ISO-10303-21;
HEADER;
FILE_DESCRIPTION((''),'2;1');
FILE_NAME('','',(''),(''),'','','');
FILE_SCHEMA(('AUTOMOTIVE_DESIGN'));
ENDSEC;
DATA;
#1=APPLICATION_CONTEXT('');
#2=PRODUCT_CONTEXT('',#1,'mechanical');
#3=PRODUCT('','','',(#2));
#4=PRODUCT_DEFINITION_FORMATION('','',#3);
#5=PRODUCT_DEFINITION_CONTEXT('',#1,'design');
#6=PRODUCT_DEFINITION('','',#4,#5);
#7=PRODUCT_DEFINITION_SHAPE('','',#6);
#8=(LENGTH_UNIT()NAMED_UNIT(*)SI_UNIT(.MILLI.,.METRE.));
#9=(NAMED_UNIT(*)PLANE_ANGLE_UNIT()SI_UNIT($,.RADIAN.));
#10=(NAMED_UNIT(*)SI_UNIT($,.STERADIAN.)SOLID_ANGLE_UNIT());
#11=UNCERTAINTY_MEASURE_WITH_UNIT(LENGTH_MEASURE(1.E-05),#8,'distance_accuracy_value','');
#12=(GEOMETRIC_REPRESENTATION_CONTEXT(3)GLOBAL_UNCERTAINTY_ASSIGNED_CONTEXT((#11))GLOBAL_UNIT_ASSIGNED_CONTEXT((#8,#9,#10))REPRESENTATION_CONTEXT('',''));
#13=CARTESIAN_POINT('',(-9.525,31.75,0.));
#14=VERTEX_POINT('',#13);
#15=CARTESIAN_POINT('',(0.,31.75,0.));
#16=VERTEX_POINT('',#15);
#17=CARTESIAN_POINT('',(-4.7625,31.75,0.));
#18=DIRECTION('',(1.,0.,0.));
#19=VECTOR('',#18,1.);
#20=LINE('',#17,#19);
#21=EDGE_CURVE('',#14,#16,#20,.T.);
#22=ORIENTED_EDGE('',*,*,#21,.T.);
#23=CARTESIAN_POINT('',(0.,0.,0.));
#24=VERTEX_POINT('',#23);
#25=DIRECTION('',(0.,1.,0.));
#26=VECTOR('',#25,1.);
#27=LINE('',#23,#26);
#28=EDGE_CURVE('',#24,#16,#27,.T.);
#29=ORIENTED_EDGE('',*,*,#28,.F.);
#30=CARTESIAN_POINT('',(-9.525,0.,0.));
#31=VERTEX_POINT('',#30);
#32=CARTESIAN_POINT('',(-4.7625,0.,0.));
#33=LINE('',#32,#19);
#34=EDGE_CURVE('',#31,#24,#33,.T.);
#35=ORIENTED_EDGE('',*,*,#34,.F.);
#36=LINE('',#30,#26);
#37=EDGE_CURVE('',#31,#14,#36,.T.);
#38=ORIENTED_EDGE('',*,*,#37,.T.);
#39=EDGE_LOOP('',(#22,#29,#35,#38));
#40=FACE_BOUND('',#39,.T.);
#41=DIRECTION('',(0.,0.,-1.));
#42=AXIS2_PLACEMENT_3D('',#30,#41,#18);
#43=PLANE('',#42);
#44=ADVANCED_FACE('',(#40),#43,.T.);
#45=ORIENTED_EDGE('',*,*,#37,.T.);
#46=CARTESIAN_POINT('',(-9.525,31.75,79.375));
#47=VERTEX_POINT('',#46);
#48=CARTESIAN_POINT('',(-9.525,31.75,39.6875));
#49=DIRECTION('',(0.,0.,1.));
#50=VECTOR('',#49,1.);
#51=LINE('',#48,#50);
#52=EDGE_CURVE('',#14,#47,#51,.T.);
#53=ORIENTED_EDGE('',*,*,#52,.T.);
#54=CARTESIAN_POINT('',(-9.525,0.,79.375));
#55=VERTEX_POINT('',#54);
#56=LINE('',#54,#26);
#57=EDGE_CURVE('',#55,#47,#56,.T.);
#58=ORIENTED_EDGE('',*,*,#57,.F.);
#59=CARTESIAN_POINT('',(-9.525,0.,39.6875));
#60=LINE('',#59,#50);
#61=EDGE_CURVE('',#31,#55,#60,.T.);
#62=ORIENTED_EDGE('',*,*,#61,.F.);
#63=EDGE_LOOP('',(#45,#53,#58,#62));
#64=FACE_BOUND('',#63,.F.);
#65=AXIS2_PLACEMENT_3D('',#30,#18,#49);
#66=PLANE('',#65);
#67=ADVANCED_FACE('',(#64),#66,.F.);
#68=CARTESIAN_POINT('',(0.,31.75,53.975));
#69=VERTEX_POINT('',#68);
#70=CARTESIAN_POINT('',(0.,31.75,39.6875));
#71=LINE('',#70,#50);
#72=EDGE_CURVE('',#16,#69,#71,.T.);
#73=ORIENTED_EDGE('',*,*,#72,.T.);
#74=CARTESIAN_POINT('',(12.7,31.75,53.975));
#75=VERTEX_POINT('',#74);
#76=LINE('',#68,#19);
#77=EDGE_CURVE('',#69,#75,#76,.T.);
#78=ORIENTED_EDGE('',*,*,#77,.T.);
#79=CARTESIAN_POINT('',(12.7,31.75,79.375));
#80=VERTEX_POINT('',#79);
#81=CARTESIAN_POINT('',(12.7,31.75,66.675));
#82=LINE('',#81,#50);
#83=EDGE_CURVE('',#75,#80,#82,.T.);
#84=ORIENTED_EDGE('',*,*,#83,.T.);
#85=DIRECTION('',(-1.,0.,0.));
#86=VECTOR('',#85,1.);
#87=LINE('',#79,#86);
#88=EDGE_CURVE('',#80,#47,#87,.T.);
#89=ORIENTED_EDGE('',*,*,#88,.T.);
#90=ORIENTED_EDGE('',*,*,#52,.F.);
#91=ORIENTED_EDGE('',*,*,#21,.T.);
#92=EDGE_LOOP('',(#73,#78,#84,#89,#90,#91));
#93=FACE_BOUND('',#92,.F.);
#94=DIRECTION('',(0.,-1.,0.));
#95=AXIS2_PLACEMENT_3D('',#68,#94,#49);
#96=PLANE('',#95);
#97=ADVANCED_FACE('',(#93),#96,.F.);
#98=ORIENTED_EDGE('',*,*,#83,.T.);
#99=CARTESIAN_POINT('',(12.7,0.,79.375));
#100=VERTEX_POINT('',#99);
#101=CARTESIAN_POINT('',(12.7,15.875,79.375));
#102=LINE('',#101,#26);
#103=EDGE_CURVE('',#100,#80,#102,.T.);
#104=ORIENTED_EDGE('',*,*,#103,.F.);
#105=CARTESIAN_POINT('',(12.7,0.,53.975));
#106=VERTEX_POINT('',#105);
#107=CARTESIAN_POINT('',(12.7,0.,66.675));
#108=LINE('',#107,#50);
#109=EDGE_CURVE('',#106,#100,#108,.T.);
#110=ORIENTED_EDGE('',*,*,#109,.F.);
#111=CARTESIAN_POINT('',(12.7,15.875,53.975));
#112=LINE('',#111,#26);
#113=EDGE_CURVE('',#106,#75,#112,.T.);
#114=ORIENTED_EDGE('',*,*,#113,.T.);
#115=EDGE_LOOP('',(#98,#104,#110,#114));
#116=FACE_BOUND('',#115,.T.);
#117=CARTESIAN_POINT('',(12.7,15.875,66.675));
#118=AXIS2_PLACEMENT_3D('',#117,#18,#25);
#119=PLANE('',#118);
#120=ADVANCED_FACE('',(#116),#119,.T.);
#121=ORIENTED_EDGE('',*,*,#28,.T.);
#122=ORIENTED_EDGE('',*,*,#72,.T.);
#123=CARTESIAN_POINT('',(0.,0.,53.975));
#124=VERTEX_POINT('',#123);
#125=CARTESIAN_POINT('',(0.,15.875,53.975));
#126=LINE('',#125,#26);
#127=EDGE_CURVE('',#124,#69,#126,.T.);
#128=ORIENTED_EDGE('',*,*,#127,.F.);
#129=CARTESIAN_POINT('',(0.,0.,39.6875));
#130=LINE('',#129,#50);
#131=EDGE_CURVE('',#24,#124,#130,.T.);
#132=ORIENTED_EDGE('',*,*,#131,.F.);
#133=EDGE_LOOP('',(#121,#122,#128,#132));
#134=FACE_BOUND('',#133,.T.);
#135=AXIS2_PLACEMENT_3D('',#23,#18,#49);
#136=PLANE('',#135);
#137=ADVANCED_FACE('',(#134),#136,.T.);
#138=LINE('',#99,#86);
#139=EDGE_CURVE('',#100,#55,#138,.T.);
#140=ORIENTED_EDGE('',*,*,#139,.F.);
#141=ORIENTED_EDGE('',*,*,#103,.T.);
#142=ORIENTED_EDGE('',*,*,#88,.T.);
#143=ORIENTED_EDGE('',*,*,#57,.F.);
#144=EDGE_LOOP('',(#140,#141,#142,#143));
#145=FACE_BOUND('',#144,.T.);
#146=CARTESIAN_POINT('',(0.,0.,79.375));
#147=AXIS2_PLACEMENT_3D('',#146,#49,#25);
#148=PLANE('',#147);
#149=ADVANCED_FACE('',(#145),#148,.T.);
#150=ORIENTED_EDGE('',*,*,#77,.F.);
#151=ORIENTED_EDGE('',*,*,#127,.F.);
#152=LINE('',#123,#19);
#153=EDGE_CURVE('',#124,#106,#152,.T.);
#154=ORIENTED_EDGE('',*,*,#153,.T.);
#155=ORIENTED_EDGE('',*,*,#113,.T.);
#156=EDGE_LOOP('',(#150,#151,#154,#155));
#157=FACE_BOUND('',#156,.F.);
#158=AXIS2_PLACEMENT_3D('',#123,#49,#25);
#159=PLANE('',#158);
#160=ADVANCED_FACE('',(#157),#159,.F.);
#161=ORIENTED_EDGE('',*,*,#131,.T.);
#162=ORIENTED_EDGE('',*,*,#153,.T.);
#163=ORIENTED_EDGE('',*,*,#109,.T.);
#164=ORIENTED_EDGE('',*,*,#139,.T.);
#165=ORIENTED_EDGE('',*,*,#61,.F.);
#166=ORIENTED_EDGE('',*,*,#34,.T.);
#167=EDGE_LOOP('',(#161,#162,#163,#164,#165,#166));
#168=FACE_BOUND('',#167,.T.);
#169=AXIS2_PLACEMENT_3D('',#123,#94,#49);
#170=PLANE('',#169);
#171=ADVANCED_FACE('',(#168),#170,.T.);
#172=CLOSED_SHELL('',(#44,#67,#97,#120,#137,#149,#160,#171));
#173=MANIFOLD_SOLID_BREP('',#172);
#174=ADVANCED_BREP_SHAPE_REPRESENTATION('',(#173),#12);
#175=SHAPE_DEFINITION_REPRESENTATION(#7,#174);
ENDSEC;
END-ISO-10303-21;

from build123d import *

# Parameters (mm, degrees)
F0_W     = 9.525
F0_H     = 79.375
F1_DEPTH = 31.75
F2_W     = 31.75
F2_H     = 25.4
F3_DEPTH = 12.7


with BuildPart() as f1:
    # F0 (on Front) → F1 (new body)
    with BuildSketch(Plane.XZ):
        with Locations((-4.7625, 39.6875)):
            Rectangle(F0_W, F0_H)
    extrude(amount=-F1_DEPTH)

    # F2 (on face) → F3 (join)
    with BuildSketch(Plane.YZ):
        with Locations((15.875, 66.675)):
            Rectangle(F2_W, F2_H)
    extrude(amount=F3_DEPTH)


solid = f1.part
